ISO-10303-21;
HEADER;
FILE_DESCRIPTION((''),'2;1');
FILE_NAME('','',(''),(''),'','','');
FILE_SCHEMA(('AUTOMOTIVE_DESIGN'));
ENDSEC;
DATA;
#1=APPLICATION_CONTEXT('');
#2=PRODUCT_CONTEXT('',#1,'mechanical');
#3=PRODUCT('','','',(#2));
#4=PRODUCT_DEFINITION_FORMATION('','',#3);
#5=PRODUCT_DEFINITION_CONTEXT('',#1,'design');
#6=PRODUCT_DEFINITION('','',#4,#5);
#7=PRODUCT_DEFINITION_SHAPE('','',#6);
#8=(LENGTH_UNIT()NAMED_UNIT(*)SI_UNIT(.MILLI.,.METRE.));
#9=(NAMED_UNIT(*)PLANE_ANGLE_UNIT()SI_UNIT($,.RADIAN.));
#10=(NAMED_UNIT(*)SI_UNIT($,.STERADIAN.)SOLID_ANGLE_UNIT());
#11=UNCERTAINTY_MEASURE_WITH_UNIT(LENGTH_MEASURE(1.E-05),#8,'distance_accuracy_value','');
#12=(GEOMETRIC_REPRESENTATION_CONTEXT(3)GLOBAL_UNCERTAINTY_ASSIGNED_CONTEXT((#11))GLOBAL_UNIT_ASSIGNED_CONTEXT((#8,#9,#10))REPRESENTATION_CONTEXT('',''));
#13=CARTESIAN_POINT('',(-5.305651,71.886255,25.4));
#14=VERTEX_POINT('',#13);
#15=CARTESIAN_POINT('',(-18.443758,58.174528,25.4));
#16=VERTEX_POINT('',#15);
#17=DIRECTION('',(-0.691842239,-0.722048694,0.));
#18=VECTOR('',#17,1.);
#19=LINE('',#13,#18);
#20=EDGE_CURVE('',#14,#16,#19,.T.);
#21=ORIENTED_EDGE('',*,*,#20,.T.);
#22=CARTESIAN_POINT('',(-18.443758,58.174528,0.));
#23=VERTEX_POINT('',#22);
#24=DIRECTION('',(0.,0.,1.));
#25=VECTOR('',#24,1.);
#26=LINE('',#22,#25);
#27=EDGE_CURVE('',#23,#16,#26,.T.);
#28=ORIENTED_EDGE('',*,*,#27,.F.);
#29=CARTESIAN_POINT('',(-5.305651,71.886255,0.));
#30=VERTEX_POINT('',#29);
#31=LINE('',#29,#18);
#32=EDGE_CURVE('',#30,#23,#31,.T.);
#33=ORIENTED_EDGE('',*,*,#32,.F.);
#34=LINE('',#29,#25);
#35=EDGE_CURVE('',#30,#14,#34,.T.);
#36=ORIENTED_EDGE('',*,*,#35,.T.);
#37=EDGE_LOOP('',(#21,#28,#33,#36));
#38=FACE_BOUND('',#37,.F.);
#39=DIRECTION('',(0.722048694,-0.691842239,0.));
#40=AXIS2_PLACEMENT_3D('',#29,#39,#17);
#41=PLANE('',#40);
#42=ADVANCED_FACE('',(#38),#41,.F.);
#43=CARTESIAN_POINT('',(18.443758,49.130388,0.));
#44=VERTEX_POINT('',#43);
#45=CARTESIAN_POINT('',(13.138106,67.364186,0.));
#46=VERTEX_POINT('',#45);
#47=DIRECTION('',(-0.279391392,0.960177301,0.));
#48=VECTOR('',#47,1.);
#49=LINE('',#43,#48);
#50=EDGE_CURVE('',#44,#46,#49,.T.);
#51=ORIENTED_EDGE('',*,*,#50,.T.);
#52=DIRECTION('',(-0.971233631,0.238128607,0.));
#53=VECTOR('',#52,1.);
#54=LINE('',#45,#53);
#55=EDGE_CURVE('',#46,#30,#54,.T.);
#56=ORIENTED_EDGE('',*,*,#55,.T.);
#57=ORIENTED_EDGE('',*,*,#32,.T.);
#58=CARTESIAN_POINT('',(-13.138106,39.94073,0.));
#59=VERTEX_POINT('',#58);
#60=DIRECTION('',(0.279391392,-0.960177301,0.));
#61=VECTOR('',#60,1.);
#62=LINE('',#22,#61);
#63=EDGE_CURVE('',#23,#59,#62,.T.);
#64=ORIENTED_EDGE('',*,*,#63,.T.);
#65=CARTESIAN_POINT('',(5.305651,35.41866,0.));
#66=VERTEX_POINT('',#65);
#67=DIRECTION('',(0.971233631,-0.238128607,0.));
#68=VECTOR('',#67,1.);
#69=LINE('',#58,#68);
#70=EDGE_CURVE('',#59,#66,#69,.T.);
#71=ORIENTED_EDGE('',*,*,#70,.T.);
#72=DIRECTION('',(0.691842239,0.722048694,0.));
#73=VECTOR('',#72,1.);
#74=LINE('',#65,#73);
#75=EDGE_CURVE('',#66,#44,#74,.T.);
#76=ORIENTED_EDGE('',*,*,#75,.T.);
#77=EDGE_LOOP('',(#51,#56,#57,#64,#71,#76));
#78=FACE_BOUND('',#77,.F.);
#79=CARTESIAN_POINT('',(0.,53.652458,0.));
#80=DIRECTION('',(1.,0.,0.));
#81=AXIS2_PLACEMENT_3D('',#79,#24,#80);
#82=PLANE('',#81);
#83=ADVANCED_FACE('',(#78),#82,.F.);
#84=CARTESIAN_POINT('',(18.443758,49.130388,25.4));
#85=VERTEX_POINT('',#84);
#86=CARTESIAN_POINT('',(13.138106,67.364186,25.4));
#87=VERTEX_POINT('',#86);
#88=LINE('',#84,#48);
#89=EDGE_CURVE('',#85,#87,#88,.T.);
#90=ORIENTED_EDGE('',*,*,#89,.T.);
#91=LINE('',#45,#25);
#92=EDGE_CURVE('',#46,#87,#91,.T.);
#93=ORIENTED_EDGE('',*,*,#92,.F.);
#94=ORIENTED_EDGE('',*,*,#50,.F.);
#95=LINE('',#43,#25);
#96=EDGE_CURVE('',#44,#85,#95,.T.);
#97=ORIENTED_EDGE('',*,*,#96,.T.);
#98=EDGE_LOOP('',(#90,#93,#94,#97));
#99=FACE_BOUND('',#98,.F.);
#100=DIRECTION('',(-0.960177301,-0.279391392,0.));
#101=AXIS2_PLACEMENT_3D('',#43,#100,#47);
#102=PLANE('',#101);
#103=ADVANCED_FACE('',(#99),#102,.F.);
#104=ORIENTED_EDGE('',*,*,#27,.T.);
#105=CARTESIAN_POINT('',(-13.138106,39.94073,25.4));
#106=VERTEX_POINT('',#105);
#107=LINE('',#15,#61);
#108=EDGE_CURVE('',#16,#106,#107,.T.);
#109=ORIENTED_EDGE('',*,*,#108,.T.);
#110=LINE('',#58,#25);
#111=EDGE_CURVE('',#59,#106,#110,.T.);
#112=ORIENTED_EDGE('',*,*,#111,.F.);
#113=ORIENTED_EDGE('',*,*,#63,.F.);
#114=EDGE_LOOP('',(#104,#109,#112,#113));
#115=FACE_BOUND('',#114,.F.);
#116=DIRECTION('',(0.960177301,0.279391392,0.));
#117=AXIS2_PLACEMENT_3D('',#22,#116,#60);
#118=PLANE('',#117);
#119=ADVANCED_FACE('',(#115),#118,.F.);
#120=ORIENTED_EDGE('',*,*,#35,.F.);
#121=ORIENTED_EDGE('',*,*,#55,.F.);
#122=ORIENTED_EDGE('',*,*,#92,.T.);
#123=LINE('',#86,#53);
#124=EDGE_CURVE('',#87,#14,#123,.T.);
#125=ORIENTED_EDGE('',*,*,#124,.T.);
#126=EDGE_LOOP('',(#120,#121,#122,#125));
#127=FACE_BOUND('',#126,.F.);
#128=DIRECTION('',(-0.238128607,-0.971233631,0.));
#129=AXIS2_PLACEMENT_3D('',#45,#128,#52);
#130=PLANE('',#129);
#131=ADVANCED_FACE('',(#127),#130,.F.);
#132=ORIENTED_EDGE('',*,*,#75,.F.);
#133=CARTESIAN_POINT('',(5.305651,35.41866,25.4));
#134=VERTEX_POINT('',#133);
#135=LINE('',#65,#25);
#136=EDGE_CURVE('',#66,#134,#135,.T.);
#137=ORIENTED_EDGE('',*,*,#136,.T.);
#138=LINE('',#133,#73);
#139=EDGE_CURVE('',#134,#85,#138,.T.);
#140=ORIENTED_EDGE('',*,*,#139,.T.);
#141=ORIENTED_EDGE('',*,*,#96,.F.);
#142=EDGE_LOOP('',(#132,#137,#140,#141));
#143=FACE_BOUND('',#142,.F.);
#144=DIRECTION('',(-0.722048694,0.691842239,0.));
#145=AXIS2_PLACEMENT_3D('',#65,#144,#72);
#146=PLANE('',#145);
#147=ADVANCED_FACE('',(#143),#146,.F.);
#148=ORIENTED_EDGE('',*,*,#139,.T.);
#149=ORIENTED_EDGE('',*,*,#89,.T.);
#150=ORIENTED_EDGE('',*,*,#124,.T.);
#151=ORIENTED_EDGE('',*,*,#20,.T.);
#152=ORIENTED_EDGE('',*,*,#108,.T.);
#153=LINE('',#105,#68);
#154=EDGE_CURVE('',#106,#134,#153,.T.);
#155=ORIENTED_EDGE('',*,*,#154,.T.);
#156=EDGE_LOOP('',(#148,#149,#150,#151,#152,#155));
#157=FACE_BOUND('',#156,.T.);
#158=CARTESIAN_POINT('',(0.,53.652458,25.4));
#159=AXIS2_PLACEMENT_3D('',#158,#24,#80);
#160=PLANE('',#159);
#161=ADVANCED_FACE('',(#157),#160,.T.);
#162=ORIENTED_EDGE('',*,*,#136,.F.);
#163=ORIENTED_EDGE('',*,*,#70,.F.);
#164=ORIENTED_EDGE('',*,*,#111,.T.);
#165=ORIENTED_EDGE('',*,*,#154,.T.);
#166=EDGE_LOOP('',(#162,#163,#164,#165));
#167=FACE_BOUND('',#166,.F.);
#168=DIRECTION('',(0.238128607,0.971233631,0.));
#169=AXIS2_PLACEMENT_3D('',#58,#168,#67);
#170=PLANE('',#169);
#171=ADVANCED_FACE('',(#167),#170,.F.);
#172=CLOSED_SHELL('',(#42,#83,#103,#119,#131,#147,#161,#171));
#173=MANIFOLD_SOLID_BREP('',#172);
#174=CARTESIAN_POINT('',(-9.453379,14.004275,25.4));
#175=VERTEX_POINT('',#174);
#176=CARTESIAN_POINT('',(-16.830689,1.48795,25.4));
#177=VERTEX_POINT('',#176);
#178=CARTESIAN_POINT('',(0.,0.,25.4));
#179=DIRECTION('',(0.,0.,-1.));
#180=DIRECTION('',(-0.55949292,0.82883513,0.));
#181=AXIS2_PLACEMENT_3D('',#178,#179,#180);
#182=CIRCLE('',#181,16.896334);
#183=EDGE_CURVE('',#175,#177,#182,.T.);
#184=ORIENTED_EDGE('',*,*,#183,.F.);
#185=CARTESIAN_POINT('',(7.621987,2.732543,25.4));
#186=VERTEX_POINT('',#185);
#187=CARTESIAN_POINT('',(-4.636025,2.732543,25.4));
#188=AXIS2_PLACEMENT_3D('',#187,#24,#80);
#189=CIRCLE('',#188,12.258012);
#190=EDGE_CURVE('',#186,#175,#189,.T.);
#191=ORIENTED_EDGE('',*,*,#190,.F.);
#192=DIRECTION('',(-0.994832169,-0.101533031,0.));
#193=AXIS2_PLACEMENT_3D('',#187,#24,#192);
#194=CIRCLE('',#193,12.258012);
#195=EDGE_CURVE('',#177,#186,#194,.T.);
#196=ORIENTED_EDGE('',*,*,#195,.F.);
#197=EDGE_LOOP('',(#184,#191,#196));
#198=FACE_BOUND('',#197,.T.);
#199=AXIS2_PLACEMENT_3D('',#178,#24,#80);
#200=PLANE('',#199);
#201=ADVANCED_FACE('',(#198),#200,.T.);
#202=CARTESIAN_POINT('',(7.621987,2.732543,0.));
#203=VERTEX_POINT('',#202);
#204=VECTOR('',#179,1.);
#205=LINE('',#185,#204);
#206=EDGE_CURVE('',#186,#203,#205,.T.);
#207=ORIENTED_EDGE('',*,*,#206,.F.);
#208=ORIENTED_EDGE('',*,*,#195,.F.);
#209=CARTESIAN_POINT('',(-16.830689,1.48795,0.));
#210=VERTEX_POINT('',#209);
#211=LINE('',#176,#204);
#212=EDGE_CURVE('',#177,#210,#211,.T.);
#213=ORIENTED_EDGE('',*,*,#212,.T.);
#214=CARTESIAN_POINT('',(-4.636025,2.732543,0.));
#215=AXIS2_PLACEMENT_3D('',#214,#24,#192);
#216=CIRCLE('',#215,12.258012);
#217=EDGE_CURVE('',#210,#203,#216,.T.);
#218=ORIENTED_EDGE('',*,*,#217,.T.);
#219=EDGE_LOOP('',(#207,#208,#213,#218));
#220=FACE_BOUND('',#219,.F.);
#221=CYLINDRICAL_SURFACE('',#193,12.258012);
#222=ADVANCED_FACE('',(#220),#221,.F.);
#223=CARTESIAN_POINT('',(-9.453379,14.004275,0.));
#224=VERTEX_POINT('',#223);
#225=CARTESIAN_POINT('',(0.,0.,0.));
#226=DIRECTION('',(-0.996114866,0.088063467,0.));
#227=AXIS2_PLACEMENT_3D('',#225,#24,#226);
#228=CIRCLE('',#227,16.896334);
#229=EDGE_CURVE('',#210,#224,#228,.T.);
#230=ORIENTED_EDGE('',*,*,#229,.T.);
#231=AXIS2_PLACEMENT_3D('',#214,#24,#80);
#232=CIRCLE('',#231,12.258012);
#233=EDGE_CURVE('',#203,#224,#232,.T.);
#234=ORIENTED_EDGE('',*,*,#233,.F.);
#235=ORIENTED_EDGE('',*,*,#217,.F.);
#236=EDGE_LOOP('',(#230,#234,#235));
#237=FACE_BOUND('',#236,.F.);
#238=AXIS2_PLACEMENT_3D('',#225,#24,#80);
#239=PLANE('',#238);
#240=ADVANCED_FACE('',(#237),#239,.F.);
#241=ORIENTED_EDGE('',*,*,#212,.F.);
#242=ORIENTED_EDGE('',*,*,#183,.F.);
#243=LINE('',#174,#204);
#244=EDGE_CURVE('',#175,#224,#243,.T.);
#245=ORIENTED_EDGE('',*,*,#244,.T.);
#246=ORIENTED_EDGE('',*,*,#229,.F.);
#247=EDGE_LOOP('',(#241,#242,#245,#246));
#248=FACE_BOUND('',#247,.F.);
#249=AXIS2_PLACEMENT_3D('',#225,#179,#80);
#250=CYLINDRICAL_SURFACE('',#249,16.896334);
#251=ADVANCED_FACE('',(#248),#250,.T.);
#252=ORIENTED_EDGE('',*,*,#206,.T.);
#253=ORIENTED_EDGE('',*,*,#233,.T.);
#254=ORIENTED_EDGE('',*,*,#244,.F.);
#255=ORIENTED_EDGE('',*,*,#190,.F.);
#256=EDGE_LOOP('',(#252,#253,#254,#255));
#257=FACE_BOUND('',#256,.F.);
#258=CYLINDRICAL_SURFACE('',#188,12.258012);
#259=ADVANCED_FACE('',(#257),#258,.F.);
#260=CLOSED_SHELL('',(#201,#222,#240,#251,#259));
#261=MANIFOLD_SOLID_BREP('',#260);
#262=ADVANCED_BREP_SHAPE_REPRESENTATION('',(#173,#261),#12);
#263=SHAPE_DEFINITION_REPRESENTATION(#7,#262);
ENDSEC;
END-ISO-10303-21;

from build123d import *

# Parameters (mm, degrees)
F0_R     = 16.8963338529
F1_DEPTH = 25.4
F3_DEPTH = 25.4


with BuildPart() as f1:
    # F0 (on Top) → F1 (new body)
    with BuildSketch(Plane.XY):
        Circle(F0_R)
    extrude(amount=F1_DEPTH)

    # F2 (on face) → F3 (cut)
    with BuildSketch(Plane.XY.offset(25.4)):
        with BuildLine():
            ThreePointArc((-16.8306893282, 1.4879497325), (-4.0129229756, -9.509621723), (7.6219865538, 2.7325428091))
            ThreePointArc((7.6219865538, 2.7325428091), (2.1170359569, 12.9626462096), (-9.4533791603, 14.0042750659))
            ThreePointArc((-9.4533791603, 14.0042750659), (-14.5560181382, 8.5795357467), (-16.8306893282, 1.4879497325))
        make_face()
    extrude(amount=-F3_DEPTH, mode=Mode.SUBTRACT)


with BuildPart() as f1b:
    # F0 (on Top) → F1, piece 2 (new body)
    with BuildSketch(Plane.XY):
        Polygon((18.4437576021, 49.1303880544), (13.1381061589, 67.3641855983), (-5.3056514432, 71.8862554368), (-18.4437576021, 58.1745277314), (-13.1381061589, 39.9407301875), (5.3056514432, 35.418660349), align=None)
    extrude(amount=F1_DEPTH)


solid = Compound([f1.part, f1b.part])
